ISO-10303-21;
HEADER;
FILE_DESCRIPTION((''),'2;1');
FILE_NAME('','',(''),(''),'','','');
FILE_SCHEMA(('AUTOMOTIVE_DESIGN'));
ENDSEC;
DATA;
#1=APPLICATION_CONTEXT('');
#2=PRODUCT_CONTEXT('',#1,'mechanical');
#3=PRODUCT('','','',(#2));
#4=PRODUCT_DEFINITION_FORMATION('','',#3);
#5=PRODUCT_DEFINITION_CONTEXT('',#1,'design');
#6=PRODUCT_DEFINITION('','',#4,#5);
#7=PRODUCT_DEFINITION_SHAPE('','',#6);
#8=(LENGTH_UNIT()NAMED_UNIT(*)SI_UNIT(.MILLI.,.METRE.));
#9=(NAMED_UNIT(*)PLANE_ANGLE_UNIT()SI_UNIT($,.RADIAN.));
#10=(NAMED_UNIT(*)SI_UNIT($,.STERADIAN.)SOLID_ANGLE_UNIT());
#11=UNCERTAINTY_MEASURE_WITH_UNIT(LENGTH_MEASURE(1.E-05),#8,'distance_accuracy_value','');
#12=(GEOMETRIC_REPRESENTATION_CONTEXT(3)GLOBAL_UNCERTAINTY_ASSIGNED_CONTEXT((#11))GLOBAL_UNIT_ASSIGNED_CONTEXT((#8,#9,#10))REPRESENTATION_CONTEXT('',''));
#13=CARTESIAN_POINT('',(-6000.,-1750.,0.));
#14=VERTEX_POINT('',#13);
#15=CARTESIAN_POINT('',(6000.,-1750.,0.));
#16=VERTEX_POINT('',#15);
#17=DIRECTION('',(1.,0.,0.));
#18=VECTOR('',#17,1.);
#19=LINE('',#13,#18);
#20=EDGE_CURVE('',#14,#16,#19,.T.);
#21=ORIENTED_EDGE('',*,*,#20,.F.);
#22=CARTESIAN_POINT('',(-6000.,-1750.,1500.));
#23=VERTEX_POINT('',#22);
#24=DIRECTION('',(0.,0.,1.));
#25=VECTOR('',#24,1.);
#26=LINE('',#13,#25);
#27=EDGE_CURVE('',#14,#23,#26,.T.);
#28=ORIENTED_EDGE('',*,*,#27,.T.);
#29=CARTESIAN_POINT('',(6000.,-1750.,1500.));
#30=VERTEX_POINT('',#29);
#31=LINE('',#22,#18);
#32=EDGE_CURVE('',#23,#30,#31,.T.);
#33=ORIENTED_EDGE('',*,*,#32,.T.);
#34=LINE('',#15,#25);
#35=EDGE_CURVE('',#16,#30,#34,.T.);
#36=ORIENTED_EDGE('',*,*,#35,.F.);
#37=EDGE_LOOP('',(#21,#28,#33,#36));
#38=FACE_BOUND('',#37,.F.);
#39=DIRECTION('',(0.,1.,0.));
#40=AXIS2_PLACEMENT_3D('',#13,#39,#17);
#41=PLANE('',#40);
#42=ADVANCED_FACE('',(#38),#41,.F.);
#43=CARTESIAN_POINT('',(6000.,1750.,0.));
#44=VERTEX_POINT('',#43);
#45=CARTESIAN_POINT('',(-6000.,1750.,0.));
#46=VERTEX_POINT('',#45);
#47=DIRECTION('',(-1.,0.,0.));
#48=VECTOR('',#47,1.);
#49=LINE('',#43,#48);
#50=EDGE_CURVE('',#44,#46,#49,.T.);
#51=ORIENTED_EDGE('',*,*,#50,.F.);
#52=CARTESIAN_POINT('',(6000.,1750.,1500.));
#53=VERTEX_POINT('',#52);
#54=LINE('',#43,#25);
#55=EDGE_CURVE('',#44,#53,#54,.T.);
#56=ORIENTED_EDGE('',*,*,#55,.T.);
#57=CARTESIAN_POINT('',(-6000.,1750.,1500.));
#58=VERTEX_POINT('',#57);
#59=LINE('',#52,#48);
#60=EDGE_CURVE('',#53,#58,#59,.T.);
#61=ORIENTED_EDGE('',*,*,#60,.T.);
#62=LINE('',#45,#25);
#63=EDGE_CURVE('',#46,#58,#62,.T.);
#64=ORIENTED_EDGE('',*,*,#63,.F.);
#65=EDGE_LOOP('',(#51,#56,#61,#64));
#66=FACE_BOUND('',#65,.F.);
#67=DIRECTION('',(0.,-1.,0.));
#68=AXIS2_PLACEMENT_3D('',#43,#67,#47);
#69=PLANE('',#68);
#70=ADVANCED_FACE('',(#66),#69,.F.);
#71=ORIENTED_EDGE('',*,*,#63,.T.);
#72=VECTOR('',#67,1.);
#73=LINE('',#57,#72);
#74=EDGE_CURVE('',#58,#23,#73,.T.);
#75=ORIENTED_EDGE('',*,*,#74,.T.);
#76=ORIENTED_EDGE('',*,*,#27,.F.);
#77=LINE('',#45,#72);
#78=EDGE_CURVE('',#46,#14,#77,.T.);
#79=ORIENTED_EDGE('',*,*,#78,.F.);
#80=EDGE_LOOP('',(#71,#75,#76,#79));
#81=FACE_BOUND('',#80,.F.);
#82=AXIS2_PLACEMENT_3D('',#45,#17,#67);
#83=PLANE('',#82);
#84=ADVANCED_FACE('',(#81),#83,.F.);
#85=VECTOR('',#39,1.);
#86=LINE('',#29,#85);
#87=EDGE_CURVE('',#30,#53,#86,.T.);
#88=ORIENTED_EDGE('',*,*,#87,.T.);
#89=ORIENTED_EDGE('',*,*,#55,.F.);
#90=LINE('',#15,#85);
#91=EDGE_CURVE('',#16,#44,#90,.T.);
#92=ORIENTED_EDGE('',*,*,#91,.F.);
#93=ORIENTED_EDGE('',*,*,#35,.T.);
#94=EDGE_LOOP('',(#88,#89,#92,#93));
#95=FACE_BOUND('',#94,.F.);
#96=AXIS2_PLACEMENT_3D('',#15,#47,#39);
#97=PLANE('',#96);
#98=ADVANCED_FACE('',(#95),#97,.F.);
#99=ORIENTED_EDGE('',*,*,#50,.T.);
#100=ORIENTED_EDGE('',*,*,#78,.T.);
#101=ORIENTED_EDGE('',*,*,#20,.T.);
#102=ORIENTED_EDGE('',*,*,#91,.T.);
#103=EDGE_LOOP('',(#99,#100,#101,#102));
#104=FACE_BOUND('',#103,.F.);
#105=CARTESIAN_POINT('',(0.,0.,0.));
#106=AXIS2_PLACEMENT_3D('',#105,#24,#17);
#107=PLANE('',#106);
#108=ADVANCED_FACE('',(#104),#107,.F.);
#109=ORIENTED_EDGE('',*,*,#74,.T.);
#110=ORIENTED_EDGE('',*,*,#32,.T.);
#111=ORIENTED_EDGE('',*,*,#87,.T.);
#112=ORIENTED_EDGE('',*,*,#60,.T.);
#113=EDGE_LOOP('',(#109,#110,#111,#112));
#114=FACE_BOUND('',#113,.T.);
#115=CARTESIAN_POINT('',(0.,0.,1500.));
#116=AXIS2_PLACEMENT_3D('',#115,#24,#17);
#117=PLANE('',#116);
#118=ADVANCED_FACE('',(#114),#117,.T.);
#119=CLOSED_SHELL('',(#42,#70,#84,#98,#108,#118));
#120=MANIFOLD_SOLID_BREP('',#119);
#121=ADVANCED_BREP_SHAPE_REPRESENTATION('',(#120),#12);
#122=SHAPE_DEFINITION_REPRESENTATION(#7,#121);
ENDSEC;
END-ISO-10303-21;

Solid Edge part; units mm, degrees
sketch "Sketch1" plane through (-2000, 0, 0) normal (0, 0, 1) x (1, 0, 0)
  line L0 (-4000, -1750) -> (8000, -1750)
  line L1 (8000, -1750) -> (8000, 1750)
  line L2 (8000, 1750) -> (-4000, 1750)
  line L3 (-4000, 1750) -> (-4000, -1750)
  dimension "D1" = 12000
  dimension "D2" = 3500
extrude "Wind_Tunnel_Box_Profile_Plane1" add sketch "Sketch1" along normal blind 1500
shell "Thinwall1" [suppressed]
extrude "Lid" [suppressed]
